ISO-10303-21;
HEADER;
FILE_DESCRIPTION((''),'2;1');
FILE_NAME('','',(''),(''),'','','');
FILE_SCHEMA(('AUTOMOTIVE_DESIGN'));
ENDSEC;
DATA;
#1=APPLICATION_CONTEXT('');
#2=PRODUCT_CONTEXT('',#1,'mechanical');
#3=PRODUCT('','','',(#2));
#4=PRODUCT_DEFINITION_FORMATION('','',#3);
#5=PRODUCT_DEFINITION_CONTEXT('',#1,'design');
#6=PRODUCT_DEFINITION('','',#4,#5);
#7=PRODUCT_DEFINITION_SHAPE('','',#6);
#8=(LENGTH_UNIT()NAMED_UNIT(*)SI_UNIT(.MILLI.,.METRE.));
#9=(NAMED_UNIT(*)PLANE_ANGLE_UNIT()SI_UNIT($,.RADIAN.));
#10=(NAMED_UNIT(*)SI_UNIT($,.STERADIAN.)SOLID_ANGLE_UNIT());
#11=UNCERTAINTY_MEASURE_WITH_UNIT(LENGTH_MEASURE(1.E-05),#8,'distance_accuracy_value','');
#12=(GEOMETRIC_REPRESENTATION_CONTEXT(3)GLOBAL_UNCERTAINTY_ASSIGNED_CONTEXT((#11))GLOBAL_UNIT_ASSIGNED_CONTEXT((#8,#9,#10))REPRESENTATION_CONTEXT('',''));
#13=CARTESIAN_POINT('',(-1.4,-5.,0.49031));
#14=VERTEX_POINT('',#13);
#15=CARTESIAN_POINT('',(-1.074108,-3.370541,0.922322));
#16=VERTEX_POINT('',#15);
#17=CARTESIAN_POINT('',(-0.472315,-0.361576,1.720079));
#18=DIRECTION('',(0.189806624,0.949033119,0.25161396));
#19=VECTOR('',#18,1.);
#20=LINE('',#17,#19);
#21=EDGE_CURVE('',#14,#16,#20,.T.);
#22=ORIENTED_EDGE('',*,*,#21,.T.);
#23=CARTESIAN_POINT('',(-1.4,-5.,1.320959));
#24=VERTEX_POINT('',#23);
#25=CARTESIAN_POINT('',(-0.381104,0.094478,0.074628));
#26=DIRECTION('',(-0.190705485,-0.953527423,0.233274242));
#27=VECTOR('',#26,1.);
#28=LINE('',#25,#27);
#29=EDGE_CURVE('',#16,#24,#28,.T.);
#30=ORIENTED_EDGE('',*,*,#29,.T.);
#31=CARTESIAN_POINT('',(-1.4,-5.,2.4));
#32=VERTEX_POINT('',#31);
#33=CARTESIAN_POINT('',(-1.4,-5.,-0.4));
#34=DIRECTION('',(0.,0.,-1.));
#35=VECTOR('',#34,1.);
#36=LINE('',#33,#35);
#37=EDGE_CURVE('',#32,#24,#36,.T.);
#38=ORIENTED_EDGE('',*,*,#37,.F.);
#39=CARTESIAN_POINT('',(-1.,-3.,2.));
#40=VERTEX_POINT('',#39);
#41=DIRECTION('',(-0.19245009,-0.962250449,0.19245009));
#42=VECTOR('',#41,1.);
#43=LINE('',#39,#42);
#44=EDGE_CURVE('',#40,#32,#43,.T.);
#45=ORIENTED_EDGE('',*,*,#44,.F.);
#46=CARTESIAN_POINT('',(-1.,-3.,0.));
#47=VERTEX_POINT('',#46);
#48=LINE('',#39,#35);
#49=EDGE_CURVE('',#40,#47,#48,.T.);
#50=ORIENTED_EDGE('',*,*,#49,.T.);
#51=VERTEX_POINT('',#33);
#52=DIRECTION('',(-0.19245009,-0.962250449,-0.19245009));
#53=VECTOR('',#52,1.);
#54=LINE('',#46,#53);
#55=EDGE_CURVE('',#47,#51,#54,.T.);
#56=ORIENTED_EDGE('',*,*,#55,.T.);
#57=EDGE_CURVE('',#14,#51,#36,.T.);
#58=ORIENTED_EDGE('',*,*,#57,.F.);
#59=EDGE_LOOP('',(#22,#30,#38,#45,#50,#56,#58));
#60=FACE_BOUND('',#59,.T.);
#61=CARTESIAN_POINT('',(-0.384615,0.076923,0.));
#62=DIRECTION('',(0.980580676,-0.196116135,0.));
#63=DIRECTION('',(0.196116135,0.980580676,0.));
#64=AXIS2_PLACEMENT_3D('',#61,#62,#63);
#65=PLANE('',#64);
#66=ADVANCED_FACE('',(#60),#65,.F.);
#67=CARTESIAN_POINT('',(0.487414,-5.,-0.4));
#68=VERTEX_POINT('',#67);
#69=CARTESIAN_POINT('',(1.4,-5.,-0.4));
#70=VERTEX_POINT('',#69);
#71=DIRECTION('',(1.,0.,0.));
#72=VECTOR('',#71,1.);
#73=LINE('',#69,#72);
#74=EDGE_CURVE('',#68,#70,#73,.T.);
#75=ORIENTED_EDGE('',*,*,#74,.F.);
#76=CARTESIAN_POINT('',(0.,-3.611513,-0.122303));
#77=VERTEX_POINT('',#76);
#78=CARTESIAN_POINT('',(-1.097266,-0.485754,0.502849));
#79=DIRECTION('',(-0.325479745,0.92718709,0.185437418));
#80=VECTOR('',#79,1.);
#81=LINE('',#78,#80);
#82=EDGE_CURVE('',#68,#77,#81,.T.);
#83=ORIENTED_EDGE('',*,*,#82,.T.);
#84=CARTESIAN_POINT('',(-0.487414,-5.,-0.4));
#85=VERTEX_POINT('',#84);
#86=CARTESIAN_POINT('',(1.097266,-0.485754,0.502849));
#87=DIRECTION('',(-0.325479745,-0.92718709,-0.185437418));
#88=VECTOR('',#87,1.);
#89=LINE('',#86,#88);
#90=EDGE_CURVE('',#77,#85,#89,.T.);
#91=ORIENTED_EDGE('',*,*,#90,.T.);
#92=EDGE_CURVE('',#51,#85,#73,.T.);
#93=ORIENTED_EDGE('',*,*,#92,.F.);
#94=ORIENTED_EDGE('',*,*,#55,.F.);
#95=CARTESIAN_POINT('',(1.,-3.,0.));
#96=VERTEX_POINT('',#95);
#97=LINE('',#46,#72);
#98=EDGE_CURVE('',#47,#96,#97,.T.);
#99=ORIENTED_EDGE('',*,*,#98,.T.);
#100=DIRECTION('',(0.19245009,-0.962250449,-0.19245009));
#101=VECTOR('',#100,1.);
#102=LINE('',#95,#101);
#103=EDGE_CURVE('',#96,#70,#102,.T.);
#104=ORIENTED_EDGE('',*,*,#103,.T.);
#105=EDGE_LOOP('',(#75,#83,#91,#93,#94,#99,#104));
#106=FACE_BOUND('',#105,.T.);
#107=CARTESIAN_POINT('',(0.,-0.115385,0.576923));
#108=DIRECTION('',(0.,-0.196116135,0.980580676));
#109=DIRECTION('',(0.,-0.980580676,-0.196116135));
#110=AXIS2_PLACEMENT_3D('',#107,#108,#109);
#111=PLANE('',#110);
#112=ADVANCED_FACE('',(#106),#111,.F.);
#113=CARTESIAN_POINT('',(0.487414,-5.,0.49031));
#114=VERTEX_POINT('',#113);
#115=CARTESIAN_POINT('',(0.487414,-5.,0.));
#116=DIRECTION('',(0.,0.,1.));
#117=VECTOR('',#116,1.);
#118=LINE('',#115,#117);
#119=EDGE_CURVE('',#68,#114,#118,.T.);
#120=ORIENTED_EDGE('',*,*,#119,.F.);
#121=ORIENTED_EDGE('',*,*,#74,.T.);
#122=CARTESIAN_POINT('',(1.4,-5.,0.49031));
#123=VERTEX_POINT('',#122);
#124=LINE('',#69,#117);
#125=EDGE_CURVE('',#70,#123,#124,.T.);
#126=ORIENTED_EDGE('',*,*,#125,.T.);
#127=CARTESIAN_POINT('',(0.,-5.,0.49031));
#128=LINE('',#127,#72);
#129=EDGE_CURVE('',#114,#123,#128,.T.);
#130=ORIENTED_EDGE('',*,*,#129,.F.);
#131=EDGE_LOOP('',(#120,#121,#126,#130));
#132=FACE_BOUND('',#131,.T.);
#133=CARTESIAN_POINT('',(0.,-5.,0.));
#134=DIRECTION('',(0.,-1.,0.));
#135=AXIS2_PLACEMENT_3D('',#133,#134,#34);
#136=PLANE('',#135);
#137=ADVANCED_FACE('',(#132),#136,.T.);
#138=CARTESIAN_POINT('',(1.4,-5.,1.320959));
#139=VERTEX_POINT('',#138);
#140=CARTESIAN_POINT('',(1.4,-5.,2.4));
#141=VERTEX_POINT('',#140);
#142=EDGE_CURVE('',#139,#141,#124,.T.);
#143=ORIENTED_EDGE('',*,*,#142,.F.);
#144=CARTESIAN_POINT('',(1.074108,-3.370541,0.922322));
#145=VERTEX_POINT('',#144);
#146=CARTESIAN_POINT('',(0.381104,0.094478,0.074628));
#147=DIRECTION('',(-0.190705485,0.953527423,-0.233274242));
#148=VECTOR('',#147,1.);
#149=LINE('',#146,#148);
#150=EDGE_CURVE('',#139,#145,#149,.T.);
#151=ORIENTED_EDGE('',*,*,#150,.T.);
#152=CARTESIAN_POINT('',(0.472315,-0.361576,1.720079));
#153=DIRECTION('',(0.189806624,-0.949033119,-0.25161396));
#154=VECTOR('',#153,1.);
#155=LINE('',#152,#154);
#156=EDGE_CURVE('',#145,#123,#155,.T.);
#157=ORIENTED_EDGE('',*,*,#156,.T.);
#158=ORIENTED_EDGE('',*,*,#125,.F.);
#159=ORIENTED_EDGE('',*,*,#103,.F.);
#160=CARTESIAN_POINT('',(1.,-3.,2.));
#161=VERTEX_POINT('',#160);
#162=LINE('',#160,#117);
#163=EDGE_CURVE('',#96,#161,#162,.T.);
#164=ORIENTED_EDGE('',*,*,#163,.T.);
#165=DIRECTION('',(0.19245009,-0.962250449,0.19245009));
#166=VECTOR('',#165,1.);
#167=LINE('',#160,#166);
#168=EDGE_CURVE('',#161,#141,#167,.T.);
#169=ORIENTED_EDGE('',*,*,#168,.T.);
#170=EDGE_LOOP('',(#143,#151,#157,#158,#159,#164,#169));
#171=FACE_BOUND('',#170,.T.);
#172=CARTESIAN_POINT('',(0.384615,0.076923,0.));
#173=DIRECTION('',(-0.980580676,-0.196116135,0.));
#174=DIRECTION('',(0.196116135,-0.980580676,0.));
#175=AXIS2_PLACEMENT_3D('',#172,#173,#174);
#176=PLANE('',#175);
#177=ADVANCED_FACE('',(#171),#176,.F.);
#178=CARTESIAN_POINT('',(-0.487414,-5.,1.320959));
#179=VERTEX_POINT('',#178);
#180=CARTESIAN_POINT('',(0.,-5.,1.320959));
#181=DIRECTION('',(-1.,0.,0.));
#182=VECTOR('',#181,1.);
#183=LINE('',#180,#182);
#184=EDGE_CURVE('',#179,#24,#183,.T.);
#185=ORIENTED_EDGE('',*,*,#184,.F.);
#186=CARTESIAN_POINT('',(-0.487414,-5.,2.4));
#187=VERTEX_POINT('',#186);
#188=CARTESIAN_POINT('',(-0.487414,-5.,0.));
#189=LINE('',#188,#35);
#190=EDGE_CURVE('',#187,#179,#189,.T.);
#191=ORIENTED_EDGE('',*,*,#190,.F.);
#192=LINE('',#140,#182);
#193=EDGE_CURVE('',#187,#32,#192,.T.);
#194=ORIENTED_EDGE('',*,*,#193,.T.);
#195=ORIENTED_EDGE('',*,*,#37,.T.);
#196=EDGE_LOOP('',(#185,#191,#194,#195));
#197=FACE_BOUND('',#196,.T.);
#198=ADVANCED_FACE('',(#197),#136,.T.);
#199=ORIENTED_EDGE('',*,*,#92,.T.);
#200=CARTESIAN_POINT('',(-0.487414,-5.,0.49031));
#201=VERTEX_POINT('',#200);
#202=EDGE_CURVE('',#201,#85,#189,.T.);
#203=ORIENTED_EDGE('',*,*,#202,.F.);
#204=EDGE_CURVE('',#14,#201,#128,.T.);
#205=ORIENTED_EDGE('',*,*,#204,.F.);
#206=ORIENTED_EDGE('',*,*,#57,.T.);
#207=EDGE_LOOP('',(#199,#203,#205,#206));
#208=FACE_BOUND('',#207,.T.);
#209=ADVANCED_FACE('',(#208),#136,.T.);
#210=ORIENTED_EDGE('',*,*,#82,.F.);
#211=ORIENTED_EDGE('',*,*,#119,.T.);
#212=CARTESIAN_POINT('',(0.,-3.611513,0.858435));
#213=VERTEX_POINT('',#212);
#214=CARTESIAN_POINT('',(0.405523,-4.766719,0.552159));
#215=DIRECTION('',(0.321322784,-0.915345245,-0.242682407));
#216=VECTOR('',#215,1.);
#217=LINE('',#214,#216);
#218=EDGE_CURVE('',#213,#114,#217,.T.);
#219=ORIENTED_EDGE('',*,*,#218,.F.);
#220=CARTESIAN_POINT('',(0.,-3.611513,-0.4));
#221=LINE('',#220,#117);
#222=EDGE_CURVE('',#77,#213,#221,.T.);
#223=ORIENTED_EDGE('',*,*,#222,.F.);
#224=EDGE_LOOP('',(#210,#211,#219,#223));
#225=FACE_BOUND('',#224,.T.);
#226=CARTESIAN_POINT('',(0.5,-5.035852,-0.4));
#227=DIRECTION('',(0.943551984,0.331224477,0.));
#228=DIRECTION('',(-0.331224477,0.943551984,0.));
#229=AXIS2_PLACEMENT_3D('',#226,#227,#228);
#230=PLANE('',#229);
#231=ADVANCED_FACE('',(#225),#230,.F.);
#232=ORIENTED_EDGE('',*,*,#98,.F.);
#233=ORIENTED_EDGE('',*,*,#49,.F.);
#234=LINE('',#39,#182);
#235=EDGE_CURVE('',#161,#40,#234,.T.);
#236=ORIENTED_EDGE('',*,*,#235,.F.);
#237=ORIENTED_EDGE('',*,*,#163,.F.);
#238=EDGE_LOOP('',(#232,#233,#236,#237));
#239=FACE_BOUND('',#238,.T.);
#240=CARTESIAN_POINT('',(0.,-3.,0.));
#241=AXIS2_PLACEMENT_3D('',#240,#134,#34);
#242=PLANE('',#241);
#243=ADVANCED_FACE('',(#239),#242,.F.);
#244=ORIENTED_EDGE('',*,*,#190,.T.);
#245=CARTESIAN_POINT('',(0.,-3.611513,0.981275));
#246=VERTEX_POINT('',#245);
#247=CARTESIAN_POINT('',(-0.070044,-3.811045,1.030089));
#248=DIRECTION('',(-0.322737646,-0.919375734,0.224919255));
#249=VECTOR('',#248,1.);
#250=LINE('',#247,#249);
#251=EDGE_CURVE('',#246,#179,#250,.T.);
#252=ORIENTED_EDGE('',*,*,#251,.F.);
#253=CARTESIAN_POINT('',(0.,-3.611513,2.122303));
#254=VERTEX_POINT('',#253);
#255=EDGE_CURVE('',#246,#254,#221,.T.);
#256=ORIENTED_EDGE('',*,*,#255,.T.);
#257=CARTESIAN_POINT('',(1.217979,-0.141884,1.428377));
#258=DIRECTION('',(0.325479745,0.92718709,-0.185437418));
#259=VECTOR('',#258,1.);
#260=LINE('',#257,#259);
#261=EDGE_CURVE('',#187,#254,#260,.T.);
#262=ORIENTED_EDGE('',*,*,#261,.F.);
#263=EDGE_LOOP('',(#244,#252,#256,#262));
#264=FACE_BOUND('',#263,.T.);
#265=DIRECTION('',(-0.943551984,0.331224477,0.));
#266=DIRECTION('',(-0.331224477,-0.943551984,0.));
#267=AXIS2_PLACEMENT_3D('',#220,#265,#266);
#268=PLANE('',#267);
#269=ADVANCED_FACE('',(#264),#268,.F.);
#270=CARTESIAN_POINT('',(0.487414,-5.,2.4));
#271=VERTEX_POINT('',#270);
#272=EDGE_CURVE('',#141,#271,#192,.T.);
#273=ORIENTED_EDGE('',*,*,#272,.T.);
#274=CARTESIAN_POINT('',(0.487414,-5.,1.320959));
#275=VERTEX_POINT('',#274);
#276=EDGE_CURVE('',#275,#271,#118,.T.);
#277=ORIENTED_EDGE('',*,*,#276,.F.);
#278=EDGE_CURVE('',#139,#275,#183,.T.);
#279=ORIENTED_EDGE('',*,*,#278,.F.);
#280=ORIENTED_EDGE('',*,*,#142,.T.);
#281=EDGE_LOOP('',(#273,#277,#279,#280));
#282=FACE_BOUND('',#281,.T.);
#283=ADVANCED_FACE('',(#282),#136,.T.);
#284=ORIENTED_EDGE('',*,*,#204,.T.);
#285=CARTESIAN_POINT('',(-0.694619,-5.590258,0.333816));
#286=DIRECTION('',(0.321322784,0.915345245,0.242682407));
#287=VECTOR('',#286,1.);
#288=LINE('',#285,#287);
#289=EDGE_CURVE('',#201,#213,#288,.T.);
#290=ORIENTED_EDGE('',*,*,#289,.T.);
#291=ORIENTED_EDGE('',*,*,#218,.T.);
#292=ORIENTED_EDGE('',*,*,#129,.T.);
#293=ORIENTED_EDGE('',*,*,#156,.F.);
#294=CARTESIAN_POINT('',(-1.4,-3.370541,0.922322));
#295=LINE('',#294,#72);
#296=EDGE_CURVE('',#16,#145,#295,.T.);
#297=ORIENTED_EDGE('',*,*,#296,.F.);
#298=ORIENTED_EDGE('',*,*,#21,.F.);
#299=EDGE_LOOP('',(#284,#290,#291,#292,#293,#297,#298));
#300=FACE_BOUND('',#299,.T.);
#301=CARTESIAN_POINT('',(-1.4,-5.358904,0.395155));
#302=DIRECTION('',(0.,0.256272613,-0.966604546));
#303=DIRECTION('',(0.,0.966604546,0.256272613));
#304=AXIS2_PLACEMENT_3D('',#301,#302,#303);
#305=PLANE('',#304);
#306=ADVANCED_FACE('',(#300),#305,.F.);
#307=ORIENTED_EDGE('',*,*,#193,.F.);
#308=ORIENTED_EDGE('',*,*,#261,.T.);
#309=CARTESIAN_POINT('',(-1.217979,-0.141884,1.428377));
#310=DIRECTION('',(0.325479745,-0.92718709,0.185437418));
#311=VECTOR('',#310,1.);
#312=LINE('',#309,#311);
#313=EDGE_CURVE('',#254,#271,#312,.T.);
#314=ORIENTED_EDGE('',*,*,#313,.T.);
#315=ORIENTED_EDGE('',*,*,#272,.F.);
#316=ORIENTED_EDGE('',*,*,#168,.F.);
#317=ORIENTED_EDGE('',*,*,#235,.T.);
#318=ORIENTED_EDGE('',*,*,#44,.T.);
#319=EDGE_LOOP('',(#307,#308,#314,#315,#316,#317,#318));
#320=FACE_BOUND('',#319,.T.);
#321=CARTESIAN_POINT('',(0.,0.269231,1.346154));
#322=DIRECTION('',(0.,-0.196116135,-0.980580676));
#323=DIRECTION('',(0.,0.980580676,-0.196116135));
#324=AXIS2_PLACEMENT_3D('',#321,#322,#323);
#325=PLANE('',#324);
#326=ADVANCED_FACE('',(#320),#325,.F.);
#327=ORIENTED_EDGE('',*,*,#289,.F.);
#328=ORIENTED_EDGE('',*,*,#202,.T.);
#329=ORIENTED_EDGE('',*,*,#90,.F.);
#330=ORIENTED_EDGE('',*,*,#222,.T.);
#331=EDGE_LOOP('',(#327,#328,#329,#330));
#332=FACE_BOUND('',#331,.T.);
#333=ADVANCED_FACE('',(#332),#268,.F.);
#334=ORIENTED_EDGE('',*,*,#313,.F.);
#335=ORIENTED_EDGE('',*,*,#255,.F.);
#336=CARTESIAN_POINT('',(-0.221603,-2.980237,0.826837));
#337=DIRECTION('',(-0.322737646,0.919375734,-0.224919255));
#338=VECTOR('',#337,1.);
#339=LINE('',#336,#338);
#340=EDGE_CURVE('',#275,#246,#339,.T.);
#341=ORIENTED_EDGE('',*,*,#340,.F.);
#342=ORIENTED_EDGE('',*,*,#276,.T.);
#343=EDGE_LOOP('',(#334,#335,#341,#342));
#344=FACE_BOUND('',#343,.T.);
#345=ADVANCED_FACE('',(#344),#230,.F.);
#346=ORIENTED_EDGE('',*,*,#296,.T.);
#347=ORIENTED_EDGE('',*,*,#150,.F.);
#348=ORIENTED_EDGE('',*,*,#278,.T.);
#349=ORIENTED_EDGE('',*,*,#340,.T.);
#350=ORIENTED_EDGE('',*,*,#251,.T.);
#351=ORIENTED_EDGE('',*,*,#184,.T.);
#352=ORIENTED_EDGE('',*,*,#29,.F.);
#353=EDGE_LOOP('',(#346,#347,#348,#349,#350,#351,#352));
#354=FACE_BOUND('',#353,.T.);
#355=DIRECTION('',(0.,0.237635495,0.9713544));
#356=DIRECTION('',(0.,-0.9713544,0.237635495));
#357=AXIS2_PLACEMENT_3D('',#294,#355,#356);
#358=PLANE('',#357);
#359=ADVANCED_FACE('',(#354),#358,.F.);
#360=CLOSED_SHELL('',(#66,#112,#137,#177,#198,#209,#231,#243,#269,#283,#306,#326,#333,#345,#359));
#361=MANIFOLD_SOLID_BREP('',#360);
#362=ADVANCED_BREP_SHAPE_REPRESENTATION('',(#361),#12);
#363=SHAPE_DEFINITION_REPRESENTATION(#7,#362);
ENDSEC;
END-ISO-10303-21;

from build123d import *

# Parameters (mm, degrees)
SKETCH2_W          = 2
SKETCH2_H          = 2
SKETCH3_W          = 2.8
SKETCH3_H          = 2.8
CUT_EXTRUDE1_START = -3.2
CUT_EXTRUDE1_DEPTH = 2.8
CUT_EXTRUDE2_START = -3.4
CUT_EXTRUDE2_DEPTH = 2.8


with BuildPart() as part:
    # Sketch2 → Loft1 section 0
    with BuildSketch(Plane.XZ.offset(3)):
        with Locations((0, 1)):
            Rectangle(SKETCH2_W, SKETCH2_H)
    # Sketch3 → Loft1 section 1
    with BuildSketch(Plane(origin=(0, -5, 0), x_dir=(-1, 0, 0), z_dir=(0, -1, 0))):
        with Locations((0, -1)):
            Rectangle(SKETCH3_W, SKETCH3_H)
    loft()

    # Sketch7 → Cut-Extrude1 (cut)
    with BuildSketch(Plane(origin=(1.8, 0, 0), x_dir=(0, 0, -1), z_dir=(1, 0, 0)).offset(CUT_EXTRUDE1_START)):
        Polygon((-0.395154694, -5.358903747), (-0.922322496, -3.37054148), (-1.444019859, -5.50302185), align=None)
    extrude(amount=CUT_EXTRUDE1_DEPTH, mode=Mode.SUBTRACT)

    # Sketch4 → Cut-Extrude2 (cut)
    with BuildSketch(Plane.XY.offset(3).offset(CUT_EXTRUDE2_START)):
        Polygon((0, -3.611513086), (-0.5, -5.035852242), (0.5, -5.035852242), align=None)
    extrude(amount=CUT_EXTRUDE2_DEPTH, mode=Mode.SUBTRACT)


solid = part.part
